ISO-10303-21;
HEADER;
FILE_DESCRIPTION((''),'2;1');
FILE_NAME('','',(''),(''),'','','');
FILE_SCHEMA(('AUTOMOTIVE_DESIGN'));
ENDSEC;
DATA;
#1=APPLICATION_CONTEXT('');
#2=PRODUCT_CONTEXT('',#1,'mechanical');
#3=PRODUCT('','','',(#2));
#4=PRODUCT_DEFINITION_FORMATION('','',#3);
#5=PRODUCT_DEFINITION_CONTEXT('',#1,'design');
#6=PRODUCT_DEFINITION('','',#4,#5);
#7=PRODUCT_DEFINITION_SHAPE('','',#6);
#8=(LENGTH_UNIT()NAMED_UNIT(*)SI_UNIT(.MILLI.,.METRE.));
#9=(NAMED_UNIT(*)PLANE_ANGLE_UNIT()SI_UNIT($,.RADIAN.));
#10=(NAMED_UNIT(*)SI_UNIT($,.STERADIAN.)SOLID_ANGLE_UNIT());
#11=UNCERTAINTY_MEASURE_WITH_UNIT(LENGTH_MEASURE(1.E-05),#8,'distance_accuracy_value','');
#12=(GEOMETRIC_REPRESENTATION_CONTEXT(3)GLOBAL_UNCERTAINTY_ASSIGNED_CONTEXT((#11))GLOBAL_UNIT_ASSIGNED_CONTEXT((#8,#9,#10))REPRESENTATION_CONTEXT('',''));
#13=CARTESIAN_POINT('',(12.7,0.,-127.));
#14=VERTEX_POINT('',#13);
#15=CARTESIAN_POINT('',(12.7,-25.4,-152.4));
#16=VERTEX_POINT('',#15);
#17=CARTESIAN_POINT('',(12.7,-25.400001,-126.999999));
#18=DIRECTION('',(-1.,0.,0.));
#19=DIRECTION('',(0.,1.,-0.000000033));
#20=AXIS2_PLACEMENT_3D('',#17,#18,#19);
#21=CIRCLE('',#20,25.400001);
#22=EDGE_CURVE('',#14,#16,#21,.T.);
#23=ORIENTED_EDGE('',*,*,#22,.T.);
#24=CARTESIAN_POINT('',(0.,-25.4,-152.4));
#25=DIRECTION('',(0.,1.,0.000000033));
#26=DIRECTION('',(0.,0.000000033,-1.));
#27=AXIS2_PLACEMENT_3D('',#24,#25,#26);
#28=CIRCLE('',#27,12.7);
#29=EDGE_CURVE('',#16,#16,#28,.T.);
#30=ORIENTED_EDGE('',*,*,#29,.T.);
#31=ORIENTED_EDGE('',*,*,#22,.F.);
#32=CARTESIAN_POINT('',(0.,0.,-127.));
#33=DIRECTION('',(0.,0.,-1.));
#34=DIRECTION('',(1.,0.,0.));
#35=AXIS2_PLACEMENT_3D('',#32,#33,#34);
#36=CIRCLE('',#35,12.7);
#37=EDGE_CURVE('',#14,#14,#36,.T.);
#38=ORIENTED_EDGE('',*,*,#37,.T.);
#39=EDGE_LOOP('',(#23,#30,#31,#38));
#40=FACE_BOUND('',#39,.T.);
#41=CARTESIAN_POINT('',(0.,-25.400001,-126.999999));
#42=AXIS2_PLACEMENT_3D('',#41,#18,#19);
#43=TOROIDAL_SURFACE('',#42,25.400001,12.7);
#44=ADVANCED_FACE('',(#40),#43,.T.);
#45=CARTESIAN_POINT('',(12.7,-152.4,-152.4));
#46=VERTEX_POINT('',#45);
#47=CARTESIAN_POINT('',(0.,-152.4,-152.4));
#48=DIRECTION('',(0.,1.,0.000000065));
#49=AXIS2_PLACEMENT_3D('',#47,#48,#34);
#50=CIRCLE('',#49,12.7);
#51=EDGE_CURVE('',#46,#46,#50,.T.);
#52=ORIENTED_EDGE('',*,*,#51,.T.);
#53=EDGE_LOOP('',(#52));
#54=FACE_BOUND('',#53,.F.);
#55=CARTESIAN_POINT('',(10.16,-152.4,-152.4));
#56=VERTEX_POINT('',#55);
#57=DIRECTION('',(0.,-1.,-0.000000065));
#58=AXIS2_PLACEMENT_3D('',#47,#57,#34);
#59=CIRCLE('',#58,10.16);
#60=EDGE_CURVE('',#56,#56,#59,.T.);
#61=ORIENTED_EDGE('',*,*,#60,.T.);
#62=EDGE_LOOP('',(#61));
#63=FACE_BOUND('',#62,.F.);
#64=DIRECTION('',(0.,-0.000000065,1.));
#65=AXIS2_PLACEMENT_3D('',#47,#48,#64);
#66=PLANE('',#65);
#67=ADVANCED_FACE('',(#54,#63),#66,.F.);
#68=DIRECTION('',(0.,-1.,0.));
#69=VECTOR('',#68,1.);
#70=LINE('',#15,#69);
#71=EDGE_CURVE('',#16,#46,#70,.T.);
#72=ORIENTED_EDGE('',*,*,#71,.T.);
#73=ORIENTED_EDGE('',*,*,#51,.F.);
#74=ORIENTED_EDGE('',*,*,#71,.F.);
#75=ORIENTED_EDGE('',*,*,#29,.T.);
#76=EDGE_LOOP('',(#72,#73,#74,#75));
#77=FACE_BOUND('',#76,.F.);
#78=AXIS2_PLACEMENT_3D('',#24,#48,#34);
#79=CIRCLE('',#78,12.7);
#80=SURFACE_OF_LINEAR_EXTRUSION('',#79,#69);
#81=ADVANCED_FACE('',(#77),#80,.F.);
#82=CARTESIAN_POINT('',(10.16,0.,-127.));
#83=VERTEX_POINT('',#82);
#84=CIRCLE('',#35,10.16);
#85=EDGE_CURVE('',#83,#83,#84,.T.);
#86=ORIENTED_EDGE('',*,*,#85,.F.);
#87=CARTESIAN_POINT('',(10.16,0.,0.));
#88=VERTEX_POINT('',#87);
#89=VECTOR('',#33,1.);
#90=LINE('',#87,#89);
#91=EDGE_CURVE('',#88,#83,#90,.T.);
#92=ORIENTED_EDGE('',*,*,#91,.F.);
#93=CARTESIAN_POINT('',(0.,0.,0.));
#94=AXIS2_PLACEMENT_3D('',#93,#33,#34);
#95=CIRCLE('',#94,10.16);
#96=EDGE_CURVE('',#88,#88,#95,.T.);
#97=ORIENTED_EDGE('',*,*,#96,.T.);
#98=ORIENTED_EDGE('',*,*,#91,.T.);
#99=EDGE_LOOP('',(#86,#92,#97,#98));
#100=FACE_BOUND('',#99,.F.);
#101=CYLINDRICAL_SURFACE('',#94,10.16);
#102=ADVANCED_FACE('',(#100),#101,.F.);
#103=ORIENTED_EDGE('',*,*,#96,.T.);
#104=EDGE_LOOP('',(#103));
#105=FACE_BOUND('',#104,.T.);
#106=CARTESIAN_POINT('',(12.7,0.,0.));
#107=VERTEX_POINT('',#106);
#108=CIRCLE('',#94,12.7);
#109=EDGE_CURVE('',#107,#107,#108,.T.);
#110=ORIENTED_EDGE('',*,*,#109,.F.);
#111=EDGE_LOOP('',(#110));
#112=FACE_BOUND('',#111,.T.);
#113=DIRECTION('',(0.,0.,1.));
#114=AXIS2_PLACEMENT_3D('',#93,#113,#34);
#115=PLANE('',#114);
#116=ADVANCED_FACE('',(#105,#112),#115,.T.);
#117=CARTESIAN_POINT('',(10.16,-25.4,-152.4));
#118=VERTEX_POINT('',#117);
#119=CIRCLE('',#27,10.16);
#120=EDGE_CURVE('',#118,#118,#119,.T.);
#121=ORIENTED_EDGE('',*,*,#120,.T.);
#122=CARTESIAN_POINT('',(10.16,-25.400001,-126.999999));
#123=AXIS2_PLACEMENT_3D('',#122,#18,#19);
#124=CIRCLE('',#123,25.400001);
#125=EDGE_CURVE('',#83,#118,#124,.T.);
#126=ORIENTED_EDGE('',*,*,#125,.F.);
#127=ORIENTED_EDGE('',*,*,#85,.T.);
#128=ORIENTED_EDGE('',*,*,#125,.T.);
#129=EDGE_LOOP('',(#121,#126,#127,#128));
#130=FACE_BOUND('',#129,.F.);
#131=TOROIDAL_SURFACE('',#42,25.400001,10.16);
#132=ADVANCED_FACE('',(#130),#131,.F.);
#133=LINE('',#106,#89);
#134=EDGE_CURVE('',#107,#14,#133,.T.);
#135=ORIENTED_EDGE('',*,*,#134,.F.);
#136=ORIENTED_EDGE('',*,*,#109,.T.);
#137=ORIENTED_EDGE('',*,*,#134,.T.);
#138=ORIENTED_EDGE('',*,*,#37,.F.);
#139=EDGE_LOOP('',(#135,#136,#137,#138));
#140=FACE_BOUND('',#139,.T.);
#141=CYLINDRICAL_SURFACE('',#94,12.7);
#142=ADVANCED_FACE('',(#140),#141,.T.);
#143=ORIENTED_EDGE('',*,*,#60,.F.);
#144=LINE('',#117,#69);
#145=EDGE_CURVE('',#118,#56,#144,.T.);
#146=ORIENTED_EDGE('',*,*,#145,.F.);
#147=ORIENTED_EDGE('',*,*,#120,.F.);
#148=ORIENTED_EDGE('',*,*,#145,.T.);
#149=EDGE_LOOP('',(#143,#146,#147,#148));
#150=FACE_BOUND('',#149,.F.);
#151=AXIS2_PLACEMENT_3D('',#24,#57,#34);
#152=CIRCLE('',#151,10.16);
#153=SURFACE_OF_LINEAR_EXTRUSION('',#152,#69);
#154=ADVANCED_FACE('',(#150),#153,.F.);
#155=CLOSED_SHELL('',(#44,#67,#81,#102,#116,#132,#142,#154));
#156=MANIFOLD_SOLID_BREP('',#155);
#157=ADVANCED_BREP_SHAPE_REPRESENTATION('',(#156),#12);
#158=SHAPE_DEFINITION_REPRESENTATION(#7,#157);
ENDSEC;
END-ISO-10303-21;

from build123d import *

# Parameters (mm, degrees)
F1_R   = 12.7
F1_R_2 = 10.16


with BuildPart() as f2:
    # F2: sweep along a path in F0
    with BuildLine(Plane.YZ) as f2_path:
        Line((0, 0), (0, -127))
        ThreePointArc((0, -127), (-7.439488, -144.960512), (-25.4, -152.4))
        Line((-25.4, -152.4), (-152.4, -152.4))
    # F1 (on Top) → F2 (sweep)
    with BuildSketch(Plane.XY):
        Circle(F1_R)
        Circle(F1_R_2, mode=Mode.SUBTRACT)
    sweep(path=f2_path.line)


solid = f2.part
